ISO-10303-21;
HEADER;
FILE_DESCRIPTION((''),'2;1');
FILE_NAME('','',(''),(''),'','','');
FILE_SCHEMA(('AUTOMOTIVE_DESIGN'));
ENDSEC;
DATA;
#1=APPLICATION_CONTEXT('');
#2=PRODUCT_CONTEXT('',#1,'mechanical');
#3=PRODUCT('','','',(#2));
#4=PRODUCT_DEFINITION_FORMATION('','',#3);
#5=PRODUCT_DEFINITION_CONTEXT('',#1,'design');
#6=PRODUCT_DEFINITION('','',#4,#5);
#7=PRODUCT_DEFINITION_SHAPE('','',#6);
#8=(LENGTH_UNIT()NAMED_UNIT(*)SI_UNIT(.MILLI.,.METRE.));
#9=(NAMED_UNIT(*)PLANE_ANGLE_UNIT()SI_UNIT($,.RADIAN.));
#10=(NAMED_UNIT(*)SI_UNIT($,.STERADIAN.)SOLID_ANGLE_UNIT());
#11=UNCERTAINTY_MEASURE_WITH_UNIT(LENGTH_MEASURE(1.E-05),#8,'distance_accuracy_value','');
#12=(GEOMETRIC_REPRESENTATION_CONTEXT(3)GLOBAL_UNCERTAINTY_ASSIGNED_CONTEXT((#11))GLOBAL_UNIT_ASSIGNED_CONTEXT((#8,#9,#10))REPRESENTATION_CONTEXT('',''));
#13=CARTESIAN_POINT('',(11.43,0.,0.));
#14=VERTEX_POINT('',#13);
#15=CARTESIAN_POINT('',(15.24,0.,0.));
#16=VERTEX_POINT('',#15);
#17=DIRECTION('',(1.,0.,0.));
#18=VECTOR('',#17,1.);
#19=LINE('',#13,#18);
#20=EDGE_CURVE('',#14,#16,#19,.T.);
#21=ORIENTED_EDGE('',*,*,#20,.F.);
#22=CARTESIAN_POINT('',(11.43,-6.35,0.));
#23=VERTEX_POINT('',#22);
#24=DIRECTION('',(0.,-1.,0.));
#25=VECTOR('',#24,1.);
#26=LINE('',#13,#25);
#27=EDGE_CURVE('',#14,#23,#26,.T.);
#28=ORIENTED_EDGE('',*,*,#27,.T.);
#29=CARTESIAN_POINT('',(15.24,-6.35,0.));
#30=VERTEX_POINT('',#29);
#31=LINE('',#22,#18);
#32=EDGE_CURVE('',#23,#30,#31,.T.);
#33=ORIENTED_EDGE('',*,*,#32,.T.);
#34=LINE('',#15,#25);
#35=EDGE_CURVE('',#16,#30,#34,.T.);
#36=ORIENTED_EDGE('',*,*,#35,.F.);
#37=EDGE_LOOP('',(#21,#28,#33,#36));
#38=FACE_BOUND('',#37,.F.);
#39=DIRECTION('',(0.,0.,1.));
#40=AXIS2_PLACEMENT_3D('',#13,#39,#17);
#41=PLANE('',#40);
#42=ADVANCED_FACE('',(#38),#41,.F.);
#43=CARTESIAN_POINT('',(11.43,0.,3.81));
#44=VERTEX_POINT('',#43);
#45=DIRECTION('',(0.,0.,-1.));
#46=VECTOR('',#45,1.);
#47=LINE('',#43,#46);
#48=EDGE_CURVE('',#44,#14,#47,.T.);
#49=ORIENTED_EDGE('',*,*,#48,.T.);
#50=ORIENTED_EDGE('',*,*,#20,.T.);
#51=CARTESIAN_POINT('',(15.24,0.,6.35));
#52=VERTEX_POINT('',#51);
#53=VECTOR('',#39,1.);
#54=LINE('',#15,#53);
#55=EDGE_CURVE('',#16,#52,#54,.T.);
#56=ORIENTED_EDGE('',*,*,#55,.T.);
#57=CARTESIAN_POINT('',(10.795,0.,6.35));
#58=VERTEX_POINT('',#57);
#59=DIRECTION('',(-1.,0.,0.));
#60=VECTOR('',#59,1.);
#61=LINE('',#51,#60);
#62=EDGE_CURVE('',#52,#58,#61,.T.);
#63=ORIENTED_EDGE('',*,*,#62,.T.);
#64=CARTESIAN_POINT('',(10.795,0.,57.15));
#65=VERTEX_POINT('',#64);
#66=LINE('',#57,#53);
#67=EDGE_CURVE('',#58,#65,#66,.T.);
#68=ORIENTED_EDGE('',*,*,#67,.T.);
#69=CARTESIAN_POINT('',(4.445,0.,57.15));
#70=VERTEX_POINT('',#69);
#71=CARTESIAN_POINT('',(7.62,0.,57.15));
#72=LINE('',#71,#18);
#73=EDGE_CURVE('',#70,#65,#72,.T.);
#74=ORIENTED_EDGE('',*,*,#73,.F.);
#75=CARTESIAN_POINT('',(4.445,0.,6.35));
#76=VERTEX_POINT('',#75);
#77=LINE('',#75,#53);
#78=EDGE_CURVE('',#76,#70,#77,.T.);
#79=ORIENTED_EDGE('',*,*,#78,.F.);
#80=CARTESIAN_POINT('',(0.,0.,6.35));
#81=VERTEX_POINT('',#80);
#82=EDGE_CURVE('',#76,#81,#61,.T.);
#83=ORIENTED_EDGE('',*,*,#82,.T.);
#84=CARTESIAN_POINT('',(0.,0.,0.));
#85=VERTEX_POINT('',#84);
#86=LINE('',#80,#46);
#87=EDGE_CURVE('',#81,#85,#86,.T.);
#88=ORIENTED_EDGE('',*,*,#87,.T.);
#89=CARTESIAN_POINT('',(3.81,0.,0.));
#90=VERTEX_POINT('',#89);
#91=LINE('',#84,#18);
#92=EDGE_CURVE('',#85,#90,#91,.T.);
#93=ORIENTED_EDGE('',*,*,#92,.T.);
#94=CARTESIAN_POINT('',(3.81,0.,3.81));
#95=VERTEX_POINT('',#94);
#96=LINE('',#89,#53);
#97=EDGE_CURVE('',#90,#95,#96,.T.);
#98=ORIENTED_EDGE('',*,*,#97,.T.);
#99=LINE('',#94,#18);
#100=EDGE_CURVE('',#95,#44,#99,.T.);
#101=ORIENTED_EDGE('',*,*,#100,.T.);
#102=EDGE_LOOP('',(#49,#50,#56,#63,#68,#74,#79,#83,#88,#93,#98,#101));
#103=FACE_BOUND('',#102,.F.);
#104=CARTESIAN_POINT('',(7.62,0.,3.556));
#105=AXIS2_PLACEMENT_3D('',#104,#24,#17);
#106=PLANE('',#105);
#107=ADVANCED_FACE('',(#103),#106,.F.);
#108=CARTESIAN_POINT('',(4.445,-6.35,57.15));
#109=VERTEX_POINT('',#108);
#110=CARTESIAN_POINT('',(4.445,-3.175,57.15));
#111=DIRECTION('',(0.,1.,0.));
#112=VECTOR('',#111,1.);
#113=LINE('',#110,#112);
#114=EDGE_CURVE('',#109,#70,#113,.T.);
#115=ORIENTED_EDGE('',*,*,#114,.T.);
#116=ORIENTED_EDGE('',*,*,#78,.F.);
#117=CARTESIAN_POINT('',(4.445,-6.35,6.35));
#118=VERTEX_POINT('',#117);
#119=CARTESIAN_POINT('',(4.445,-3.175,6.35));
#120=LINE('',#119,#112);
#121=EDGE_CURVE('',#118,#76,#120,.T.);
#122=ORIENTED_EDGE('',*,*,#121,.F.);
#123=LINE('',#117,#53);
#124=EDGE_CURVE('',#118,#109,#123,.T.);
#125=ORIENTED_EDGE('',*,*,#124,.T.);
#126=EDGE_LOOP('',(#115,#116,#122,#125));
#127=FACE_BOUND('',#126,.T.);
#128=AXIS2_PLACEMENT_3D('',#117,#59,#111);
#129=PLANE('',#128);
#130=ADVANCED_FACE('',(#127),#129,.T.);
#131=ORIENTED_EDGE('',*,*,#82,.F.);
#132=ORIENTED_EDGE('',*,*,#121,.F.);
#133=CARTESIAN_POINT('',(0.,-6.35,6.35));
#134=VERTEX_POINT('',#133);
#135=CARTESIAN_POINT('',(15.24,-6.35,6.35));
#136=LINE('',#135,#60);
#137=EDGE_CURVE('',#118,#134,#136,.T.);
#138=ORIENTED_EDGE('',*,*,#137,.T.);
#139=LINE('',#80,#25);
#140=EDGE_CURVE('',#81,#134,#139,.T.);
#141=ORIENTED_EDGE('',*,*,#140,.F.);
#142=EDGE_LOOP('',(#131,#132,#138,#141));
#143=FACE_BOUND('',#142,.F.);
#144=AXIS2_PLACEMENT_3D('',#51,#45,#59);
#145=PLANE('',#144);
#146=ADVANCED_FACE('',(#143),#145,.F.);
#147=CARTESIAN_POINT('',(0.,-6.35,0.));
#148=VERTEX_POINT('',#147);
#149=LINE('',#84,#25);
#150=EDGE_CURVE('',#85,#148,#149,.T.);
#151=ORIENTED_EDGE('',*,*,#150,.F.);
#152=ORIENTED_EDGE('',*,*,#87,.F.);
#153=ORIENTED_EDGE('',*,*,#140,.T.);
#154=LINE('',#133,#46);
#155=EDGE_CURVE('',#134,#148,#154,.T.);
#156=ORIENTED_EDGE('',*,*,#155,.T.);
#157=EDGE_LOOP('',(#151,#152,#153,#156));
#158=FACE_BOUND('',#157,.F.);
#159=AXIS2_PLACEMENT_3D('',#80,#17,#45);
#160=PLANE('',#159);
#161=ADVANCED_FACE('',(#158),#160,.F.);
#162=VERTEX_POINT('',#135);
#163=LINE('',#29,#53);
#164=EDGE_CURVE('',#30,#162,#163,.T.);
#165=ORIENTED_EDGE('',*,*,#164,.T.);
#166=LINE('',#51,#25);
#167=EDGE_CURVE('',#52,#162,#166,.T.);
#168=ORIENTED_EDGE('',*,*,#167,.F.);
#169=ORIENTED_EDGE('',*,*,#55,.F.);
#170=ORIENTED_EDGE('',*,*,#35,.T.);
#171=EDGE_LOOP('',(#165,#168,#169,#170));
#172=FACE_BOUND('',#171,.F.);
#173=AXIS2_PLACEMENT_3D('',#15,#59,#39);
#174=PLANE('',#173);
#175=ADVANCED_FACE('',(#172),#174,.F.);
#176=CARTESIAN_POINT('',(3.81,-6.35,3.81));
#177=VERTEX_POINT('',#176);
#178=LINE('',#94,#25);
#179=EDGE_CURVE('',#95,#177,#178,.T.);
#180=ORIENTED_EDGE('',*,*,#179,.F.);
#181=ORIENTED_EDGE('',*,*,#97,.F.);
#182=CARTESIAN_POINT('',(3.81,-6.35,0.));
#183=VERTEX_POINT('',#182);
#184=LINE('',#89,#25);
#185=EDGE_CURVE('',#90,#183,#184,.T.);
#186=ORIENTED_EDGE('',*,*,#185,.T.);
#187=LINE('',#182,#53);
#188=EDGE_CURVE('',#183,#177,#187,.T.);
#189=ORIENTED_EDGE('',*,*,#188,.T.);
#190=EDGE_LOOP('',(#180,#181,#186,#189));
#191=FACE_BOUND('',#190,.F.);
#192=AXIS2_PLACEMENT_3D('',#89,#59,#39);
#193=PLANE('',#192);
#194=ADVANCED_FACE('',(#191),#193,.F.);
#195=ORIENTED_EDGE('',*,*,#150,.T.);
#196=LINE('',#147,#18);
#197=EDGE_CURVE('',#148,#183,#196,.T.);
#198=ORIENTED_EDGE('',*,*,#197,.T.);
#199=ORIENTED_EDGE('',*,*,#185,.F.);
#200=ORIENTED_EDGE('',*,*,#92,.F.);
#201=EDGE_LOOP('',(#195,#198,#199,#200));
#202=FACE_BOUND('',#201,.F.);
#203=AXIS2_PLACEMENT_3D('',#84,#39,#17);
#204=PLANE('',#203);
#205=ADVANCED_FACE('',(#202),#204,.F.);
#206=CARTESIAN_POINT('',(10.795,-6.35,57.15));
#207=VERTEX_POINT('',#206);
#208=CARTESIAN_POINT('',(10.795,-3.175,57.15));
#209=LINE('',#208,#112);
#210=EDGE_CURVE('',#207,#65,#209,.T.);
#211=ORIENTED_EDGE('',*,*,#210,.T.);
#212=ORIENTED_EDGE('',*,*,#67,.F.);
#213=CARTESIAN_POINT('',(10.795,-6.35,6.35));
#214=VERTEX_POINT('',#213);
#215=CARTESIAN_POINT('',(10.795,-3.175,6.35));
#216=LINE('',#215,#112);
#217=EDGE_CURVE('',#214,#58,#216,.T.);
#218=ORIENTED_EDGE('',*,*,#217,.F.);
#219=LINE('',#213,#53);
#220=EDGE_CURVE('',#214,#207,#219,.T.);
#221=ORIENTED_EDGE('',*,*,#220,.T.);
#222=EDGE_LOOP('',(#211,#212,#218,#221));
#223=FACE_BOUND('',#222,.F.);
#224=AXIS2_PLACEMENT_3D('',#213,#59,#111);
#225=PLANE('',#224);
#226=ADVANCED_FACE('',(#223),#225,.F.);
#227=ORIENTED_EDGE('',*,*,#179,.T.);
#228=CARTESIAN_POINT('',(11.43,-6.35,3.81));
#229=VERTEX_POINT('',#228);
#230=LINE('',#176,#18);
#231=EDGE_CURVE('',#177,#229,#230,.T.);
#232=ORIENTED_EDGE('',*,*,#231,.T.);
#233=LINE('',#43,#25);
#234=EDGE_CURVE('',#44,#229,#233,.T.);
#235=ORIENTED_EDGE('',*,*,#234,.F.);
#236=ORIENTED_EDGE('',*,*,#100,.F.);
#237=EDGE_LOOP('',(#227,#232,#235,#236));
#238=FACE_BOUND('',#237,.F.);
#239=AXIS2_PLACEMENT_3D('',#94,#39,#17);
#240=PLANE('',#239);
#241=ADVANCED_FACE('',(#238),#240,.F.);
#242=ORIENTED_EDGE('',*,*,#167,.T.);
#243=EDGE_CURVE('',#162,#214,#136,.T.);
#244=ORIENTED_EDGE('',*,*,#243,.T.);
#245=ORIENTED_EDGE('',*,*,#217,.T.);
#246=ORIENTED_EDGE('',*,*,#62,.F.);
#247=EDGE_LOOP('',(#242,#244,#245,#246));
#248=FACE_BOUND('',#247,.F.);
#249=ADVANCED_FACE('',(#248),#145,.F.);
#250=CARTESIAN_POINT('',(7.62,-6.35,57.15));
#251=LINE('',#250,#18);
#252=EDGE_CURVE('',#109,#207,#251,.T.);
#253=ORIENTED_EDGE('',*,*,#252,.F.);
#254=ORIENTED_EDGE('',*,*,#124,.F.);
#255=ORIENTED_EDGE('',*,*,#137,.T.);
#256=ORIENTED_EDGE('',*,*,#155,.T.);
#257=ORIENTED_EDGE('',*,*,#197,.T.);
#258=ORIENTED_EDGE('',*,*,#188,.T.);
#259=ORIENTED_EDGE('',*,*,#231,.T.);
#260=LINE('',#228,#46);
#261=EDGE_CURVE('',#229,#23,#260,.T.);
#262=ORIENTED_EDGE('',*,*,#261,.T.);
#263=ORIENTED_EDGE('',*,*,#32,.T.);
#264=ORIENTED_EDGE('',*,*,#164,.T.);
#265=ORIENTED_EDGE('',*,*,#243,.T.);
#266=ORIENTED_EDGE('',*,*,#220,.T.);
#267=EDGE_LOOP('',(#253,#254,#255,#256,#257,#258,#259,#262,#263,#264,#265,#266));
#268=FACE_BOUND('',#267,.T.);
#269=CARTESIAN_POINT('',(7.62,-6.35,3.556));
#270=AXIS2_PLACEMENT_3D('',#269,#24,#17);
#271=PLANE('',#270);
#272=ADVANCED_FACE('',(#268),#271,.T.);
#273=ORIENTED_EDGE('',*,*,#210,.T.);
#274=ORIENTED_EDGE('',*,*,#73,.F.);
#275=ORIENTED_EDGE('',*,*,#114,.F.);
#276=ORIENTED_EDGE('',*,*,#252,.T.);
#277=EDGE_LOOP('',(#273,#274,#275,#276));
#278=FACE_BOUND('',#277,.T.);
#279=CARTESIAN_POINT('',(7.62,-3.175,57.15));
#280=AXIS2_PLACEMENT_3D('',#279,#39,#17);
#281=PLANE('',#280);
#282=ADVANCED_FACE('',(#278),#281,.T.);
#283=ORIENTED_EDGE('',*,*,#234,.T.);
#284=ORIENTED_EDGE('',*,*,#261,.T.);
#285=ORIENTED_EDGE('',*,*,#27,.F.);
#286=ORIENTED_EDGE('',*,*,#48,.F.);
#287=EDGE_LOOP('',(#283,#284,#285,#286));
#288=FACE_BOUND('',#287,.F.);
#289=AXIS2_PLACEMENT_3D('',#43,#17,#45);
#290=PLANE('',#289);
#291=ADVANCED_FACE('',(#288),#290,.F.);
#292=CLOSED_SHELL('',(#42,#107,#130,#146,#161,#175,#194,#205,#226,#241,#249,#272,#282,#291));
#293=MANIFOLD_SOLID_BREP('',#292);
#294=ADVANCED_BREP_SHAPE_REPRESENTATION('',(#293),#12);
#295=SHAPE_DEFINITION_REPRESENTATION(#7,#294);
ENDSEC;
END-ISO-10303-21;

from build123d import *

# Parameters (mm, degrees)
F1_DEPTH = 6.35
F2_W     = 6.35
F2_H     = 6.35
F3_DEPTH = 50.8


with BuildPart() as f1:
    # F0 (on Front) → F1 (new body)
    with BuildSketch(Plane.XZ):
        Polygon((0, 6.35), (0, 0), (3.81, 0), (3.81, 3.81), (11.43, 3.81), (11.43, 0), (15.24, 0), (15.24, 6.35), align=None)
    extrude(amount=F1_DEPTH)

    # F2 (on face) → F3 (join)
    with BuildSketch(Plane.XY.offset(6.35)):
        with Locations((7.62, -3.175)):
            Rectangle(F2_W, F2_H)
    extrude(amount=F3_DEPTH)


solid = f1.part
